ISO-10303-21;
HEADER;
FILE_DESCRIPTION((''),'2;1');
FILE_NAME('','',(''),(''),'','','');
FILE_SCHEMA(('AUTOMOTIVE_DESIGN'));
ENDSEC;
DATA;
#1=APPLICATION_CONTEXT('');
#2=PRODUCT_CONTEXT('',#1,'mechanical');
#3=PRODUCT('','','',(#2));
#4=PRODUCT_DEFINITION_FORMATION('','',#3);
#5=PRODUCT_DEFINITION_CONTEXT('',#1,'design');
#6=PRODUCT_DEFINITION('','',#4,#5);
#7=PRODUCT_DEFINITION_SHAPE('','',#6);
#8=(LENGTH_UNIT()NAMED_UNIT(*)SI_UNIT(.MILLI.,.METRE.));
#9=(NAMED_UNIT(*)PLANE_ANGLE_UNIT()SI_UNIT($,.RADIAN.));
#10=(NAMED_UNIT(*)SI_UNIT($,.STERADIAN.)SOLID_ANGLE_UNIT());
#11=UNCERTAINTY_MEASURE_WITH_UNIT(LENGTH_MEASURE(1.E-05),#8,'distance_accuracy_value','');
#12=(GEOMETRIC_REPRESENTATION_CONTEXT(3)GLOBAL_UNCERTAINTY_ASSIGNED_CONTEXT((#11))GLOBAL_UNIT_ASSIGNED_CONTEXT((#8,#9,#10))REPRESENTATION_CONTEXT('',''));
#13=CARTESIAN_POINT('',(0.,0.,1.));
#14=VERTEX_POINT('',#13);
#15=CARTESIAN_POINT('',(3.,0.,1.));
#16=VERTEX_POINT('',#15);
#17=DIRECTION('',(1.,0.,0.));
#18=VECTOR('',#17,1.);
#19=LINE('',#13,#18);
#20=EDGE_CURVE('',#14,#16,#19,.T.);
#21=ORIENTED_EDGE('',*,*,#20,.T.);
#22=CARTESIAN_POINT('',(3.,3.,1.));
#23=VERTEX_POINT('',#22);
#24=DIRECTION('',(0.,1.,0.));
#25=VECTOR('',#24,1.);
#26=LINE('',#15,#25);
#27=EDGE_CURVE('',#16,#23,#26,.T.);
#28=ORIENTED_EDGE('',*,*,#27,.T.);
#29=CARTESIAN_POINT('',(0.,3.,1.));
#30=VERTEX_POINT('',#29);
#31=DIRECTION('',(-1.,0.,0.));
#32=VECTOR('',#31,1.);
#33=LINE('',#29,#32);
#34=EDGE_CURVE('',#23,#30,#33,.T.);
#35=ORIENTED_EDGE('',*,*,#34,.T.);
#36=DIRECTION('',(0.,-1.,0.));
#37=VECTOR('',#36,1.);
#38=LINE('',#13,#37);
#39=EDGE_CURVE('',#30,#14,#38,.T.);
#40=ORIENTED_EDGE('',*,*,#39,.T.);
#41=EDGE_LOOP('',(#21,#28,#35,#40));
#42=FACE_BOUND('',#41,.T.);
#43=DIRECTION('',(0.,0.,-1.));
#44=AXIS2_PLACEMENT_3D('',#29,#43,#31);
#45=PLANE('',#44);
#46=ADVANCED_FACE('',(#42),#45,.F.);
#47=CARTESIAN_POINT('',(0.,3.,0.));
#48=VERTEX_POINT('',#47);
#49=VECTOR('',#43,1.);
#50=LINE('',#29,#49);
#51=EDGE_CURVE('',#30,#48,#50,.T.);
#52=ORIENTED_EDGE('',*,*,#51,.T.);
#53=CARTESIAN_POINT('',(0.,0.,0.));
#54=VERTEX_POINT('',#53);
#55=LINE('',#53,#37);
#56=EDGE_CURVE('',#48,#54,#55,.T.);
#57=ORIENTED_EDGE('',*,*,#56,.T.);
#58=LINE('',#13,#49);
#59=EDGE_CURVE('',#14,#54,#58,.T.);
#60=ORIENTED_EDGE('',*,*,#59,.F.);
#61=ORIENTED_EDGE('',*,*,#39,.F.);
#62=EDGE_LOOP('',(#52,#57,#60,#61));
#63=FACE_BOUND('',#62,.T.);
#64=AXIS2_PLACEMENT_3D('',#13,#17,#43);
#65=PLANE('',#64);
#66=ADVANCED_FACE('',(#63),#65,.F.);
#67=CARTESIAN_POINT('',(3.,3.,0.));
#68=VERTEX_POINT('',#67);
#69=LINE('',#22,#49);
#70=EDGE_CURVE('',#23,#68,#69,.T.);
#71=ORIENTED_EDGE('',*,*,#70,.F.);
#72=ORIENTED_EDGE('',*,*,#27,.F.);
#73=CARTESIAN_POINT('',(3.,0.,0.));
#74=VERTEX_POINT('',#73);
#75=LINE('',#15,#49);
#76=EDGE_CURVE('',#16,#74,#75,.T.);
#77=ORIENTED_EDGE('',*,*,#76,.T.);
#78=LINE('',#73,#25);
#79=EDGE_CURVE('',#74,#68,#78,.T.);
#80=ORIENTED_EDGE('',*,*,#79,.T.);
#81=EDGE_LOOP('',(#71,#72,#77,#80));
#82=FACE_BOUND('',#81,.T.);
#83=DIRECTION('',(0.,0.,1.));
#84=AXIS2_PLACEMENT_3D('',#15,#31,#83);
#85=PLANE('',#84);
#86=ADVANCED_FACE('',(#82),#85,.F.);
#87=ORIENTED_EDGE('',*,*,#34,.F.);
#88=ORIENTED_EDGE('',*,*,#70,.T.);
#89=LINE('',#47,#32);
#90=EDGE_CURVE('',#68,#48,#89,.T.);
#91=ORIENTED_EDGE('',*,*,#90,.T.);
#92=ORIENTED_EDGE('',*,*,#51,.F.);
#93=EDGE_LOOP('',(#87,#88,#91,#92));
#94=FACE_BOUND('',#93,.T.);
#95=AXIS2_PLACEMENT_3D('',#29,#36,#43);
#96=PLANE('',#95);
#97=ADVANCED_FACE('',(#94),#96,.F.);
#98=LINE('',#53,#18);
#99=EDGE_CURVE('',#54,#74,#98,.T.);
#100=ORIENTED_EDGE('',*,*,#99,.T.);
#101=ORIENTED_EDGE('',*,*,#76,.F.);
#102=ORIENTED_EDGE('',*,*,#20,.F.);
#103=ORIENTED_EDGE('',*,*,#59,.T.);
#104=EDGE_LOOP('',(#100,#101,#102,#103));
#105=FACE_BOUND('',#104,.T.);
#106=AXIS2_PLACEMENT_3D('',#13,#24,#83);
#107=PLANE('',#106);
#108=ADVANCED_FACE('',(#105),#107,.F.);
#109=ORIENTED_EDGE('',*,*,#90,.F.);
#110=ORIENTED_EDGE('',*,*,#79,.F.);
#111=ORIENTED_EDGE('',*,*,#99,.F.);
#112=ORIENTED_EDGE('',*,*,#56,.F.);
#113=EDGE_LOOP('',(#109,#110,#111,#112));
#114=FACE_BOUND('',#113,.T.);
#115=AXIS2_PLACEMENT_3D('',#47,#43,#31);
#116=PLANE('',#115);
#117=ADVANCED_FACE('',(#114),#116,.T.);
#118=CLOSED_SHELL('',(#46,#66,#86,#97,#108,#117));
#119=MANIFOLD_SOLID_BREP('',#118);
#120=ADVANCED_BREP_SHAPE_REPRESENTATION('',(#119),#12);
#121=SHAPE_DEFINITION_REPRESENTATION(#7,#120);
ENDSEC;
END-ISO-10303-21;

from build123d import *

# Parameters (mm, degrees)
ESQUISSE1_W        = 3
ESQUISSE1_H        = 3
BOSS_EXTRU_1_DEPTH = 1


with BuildPart() as part:
    # Esquisse1 → Boss.-Extru.1 (new body)
    with BuildSketch(Plane.XY):
        with Locations((1.5, 1.5)):
            Rectangle(ESQUISSE1_W, ESQUISSE1_H)
    extrude(amount=BOSS_EXTRU_1_DEPTH)


solid = part.part
